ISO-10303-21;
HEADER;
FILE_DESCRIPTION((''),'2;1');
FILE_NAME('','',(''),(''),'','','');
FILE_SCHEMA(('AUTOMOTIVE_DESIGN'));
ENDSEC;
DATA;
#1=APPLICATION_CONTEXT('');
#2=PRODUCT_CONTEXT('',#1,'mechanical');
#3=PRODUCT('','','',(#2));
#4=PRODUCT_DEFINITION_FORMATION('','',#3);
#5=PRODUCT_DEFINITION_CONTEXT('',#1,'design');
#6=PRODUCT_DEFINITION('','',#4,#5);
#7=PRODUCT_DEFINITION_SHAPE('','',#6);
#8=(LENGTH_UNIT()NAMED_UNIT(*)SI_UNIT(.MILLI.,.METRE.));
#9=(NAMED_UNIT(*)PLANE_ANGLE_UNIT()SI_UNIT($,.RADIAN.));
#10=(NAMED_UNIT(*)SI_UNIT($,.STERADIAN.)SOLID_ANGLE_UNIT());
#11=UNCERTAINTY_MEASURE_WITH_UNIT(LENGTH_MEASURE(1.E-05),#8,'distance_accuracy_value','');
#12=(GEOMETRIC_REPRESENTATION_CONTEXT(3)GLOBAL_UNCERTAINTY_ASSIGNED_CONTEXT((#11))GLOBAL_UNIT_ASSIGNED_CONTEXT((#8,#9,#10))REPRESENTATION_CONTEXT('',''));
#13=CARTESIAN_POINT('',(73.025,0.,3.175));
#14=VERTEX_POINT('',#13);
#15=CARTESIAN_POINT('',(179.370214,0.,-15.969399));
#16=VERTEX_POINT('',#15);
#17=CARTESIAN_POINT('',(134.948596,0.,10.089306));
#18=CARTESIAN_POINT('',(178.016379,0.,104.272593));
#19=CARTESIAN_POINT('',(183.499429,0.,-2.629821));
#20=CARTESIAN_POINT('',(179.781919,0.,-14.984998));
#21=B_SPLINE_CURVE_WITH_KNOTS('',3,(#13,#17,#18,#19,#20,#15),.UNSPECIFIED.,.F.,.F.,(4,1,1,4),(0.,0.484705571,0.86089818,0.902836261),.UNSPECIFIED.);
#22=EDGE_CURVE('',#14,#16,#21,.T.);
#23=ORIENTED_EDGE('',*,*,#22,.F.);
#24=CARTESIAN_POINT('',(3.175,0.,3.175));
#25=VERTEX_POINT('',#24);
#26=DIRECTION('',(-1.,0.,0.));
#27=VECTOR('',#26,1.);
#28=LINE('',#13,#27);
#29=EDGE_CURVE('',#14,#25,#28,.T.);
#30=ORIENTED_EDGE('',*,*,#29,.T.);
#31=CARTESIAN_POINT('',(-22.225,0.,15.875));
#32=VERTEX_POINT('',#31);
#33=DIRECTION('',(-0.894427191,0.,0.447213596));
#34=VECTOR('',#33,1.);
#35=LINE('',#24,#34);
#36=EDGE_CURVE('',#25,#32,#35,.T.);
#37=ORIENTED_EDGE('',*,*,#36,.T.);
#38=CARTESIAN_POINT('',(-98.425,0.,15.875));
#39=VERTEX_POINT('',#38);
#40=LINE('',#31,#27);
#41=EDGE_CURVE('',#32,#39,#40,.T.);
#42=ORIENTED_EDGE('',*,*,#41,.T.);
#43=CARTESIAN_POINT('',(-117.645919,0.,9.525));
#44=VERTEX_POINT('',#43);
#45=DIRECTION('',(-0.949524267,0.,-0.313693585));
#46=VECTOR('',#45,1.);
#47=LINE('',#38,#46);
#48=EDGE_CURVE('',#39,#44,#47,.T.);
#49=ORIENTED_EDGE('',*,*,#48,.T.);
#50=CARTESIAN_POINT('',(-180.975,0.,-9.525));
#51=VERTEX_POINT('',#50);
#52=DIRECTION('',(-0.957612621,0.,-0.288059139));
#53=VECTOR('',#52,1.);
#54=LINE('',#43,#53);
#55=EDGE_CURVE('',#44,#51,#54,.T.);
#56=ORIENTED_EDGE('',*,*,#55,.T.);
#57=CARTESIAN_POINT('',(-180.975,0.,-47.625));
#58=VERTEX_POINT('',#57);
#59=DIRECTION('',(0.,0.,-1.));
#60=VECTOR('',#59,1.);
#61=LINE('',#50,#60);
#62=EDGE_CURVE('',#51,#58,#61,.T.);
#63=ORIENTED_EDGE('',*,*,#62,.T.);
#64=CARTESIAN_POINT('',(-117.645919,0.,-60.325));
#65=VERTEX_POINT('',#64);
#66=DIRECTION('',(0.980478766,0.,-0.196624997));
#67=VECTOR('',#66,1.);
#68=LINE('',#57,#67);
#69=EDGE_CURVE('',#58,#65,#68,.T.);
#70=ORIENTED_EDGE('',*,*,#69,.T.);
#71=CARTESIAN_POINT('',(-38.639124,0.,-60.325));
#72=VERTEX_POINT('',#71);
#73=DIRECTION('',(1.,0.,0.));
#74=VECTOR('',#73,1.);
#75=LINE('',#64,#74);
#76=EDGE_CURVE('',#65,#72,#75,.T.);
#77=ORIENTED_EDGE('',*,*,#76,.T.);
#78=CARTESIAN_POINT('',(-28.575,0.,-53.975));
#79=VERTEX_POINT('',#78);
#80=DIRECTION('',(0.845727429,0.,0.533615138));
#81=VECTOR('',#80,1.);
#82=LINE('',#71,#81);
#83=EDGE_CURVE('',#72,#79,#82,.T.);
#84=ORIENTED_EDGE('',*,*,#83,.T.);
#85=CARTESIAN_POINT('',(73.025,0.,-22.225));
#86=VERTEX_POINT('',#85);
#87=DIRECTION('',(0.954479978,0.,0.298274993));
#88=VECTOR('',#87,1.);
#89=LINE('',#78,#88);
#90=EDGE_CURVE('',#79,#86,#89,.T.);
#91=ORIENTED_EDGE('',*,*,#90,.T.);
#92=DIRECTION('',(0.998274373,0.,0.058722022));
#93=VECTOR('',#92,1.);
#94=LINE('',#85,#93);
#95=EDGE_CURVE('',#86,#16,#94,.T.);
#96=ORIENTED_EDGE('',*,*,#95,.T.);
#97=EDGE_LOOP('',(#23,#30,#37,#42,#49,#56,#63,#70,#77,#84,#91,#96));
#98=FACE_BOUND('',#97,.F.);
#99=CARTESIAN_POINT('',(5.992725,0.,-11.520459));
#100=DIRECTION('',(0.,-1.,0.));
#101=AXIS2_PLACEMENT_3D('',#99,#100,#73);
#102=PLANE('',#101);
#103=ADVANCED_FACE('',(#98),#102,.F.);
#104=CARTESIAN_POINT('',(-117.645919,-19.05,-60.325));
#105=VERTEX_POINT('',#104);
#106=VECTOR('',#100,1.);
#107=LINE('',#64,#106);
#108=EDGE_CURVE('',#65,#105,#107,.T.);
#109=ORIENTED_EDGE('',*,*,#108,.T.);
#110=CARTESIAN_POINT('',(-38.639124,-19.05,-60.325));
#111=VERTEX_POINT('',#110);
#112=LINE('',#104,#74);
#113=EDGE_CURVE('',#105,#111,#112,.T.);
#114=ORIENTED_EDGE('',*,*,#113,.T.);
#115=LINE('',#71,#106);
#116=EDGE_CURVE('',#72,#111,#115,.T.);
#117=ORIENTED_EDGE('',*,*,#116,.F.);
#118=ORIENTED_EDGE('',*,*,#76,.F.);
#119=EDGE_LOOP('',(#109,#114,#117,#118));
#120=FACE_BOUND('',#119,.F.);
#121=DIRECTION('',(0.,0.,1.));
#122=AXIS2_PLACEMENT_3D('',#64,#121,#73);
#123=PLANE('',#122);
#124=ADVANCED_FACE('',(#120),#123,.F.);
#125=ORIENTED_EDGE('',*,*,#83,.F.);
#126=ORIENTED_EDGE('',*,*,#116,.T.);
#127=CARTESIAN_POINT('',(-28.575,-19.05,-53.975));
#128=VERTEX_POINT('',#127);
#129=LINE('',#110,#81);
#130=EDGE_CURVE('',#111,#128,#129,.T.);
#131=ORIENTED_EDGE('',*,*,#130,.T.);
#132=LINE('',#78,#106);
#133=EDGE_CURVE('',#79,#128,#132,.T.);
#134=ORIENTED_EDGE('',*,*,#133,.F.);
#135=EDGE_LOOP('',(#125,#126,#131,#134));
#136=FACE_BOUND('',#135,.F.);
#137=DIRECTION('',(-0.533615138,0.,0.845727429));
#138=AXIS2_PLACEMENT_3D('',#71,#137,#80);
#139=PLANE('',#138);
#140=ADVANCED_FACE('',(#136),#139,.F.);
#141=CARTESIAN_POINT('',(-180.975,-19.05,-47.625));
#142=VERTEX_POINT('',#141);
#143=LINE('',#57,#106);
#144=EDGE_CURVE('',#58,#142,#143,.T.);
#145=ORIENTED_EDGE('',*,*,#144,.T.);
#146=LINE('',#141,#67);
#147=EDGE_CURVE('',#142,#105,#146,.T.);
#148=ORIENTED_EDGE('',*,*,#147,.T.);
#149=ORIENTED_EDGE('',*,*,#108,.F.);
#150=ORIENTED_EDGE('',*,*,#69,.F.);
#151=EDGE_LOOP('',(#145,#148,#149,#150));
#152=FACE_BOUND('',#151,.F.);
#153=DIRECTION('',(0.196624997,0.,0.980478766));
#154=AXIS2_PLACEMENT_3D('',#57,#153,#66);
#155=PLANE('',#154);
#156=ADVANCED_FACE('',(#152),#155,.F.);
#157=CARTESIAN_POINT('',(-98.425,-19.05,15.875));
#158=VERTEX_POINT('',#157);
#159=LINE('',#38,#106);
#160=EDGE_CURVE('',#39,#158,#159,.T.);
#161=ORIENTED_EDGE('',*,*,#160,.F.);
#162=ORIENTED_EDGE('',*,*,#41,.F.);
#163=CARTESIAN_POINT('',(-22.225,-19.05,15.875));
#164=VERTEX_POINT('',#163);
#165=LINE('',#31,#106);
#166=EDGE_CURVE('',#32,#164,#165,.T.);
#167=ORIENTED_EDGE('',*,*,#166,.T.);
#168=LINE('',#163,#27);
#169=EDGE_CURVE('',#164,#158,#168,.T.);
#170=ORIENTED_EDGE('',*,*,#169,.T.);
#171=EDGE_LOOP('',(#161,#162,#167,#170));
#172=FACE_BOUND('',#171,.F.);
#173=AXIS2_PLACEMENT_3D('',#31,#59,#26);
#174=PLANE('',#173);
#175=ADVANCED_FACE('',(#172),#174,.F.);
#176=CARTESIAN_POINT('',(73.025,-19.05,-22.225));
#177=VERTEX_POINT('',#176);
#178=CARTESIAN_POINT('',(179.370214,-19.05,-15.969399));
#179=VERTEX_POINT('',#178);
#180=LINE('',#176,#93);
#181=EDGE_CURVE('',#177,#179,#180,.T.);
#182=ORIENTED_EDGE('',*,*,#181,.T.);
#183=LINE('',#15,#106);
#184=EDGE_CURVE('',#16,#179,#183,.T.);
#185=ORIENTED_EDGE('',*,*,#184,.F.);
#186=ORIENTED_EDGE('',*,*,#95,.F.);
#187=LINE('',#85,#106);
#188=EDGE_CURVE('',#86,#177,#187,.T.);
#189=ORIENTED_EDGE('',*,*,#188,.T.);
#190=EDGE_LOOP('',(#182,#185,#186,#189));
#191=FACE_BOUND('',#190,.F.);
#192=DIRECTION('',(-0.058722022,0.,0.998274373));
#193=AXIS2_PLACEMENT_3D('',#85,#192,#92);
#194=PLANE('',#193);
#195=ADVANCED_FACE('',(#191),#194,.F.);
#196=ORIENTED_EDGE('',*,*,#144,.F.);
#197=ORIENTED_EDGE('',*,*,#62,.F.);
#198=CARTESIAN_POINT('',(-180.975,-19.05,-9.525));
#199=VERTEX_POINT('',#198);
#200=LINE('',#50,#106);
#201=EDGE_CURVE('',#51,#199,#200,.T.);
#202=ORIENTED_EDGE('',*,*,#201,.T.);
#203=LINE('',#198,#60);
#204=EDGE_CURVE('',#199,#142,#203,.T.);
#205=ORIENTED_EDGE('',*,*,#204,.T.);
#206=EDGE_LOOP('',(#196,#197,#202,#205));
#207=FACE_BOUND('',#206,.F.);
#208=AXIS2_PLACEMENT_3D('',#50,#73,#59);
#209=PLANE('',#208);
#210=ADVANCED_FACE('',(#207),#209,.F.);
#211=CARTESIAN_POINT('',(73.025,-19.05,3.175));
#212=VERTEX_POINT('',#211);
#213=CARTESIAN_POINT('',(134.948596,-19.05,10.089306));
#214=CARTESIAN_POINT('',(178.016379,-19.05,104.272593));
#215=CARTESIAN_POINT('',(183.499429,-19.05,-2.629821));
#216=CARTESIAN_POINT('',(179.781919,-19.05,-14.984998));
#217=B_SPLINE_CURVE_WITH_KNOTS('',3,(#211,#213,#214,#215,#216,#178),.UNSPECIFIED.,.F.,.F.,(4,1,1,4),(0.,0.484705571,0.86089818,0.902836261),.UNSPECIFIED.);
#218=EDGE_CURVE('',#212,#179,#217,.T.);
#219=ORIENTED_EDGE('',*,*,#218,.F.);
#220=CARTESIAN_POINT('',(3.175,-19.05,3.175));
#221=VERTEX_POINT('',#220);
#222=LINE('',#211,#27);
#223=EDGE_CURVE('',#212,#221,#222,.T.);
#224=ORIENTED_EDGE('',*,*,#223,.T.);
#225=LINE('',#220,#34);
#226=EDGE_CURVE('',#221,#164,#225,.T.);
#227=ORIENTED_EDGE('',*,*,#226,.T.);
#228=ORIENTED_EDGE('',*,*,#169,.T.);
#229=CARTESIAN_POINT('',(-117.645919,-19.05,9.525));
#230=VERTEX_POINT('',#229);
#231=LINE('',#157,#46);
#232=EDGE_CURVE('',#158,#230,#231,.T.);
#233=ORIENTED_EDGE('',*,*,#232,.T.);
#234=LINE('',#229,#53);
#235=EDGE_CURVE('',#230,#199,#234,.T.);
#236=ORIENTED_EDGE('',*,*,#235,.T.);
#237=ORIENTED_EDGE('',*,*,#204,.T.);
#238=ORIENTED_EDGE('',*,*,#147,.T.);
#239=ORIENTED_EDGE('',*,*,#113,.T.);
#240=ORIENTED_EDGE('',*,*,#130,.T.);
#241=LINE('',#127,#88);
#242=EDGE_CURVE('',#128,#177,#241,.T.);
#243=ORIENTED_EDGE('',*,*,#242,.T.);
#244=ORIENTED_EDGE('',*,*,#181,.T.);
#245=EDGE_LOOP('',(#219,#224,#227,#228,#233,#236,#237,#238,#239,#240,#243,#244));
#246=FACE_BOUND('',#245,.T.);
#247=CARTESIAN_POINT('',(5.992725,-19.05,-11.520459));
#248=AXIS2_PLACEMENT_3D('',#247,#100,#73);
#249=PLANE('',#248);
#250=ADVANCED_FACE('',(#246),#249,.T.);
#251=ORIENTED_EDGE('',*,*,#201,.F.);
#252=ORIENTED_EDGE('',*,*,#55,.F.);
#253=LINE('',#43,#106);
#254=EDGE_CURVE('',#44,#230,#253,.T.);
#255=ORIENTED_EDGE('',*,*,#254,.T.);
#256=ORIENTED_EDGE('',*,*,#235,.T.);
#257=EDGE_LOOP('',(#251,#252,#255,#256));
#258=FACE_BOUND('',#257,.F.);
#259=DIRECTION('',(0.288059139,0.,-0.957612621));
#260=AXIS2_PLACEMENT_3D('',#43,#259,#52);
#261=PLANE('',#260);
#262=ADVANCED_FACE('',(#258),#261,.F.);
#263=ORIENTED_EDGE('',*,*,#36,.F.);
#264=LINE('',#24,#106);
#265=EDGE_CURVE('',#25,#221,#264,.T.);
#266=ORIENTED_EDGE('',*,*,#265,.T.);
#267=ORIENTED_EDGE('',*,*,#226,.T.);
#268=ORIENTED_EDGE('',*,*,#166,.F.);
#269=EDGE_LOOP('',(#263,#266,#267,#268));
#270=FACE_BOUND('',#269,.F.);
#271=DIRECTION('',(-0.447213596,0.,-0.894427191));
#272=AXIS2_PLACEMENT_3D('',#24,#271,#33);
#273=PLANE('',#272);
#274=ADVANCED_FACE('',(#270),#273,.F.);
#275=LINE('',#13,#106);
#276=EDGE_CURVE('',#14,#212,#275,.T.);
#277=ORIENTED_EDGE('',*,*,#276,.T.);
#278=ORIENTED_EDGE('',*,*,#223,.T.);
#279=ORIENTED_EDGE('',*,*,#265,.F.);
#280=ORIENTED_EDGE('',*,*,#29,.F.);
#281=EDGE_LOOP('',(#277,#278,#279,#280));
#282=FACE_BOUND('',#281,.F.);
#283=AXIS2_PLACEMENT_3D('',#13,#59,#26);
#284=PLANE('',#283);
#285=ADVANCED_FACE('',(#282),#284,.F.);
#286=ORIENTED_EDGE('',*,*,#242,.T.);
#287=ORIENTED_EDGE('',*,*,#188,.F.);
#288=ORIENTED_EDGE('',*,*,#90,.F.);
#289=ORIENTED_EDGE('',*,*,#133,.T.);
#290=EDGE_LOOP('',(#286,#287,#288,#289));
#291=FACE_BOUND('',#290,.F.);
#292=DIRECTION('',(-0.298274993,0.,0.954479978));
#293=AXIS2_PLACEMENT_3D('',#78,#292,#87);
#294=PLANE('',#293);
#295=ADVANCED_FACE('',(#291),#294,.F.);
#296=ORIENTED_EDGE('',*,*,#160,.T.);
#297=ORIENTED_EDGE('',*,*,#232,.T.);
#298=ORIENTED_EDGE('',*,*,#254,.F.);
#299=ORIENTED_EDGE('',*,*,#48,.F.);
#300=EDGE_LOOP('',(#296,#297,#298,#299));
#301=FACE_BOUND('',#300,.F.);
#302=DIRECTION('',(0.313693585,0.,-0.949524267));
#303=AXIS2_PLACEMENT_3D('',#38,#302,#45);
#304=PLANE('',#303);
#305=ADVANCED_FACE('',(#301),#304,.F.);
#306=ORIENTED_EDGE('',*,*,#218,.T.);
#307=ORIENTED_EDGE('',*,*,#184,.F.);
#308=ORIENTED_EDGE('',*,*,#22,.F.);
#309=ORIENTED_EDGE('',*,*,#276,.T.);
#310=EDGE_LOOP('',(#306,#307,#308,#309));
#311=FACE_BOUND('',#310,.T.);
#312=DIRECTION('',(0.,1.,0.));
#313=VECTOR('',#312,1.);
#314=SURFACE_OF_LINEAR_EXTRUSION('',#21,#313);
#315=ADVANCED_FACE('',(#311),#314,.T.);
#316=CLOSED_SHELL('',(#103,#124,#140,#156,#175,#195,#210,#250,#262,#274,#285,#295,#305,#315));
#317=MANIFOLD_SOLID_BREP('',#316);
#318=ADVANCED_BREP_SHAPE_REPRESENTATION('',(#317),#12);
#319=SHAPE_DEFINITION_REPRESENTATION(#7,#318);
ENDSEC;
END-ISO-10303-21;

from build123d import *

# Parameters (mm, degrees)
F1_DEPTH = 19.05


with BuildPart() as f1:
    # F0 (on Front) → F1 (new body)
    with BuildSketch(Plane.XZ):
        with BuildLine():
            Line((-180.975, -9.525), (-180.975, -47.625))
            Line((-180.975, -47.625), (-117.645919323, -60.325))
            Line((-117.645919323, -60.325), (-38.6391244829, -60.325))
            Line((-38.6391244829, -60.325), (-28.575, -53.975))
            Line((-28.575, -53.975), (73.025, -22.225))
            Line((73.025, -22.225), (179.3702135329, -15.9693992039))
            add(Edge.make_bspline(
                [(73.025, 3.175), (134.9485963583, 10.0893061608), (178.0163792754, 104.2725925124), (183.4994292865, -2.6298206048), (179.7819191004, -14.9849983714), (179.3702135329, -15.9693992039)],
                knots=[0, 0, 0, 0, 0.4847055711, 0.8608981797, 0.902836261, 0.902836261, 0.902836261, 0.902836261], degree=3))
            Line((73.025, 3.175), (3.175, 3.175))
            Line((3.175, 3.175), (-22.225, 15.875))
            Line((-22.225, 15.875), (-98.425, 15.875))
            Line((-98.425, 15.875), (-117.645919323, 9.525))
            Line((-117.645919323, 9.525), (-180.975, -9.525))
        make_face()
    extrude(amount=F1_DEPTH)


solid = f1.part
